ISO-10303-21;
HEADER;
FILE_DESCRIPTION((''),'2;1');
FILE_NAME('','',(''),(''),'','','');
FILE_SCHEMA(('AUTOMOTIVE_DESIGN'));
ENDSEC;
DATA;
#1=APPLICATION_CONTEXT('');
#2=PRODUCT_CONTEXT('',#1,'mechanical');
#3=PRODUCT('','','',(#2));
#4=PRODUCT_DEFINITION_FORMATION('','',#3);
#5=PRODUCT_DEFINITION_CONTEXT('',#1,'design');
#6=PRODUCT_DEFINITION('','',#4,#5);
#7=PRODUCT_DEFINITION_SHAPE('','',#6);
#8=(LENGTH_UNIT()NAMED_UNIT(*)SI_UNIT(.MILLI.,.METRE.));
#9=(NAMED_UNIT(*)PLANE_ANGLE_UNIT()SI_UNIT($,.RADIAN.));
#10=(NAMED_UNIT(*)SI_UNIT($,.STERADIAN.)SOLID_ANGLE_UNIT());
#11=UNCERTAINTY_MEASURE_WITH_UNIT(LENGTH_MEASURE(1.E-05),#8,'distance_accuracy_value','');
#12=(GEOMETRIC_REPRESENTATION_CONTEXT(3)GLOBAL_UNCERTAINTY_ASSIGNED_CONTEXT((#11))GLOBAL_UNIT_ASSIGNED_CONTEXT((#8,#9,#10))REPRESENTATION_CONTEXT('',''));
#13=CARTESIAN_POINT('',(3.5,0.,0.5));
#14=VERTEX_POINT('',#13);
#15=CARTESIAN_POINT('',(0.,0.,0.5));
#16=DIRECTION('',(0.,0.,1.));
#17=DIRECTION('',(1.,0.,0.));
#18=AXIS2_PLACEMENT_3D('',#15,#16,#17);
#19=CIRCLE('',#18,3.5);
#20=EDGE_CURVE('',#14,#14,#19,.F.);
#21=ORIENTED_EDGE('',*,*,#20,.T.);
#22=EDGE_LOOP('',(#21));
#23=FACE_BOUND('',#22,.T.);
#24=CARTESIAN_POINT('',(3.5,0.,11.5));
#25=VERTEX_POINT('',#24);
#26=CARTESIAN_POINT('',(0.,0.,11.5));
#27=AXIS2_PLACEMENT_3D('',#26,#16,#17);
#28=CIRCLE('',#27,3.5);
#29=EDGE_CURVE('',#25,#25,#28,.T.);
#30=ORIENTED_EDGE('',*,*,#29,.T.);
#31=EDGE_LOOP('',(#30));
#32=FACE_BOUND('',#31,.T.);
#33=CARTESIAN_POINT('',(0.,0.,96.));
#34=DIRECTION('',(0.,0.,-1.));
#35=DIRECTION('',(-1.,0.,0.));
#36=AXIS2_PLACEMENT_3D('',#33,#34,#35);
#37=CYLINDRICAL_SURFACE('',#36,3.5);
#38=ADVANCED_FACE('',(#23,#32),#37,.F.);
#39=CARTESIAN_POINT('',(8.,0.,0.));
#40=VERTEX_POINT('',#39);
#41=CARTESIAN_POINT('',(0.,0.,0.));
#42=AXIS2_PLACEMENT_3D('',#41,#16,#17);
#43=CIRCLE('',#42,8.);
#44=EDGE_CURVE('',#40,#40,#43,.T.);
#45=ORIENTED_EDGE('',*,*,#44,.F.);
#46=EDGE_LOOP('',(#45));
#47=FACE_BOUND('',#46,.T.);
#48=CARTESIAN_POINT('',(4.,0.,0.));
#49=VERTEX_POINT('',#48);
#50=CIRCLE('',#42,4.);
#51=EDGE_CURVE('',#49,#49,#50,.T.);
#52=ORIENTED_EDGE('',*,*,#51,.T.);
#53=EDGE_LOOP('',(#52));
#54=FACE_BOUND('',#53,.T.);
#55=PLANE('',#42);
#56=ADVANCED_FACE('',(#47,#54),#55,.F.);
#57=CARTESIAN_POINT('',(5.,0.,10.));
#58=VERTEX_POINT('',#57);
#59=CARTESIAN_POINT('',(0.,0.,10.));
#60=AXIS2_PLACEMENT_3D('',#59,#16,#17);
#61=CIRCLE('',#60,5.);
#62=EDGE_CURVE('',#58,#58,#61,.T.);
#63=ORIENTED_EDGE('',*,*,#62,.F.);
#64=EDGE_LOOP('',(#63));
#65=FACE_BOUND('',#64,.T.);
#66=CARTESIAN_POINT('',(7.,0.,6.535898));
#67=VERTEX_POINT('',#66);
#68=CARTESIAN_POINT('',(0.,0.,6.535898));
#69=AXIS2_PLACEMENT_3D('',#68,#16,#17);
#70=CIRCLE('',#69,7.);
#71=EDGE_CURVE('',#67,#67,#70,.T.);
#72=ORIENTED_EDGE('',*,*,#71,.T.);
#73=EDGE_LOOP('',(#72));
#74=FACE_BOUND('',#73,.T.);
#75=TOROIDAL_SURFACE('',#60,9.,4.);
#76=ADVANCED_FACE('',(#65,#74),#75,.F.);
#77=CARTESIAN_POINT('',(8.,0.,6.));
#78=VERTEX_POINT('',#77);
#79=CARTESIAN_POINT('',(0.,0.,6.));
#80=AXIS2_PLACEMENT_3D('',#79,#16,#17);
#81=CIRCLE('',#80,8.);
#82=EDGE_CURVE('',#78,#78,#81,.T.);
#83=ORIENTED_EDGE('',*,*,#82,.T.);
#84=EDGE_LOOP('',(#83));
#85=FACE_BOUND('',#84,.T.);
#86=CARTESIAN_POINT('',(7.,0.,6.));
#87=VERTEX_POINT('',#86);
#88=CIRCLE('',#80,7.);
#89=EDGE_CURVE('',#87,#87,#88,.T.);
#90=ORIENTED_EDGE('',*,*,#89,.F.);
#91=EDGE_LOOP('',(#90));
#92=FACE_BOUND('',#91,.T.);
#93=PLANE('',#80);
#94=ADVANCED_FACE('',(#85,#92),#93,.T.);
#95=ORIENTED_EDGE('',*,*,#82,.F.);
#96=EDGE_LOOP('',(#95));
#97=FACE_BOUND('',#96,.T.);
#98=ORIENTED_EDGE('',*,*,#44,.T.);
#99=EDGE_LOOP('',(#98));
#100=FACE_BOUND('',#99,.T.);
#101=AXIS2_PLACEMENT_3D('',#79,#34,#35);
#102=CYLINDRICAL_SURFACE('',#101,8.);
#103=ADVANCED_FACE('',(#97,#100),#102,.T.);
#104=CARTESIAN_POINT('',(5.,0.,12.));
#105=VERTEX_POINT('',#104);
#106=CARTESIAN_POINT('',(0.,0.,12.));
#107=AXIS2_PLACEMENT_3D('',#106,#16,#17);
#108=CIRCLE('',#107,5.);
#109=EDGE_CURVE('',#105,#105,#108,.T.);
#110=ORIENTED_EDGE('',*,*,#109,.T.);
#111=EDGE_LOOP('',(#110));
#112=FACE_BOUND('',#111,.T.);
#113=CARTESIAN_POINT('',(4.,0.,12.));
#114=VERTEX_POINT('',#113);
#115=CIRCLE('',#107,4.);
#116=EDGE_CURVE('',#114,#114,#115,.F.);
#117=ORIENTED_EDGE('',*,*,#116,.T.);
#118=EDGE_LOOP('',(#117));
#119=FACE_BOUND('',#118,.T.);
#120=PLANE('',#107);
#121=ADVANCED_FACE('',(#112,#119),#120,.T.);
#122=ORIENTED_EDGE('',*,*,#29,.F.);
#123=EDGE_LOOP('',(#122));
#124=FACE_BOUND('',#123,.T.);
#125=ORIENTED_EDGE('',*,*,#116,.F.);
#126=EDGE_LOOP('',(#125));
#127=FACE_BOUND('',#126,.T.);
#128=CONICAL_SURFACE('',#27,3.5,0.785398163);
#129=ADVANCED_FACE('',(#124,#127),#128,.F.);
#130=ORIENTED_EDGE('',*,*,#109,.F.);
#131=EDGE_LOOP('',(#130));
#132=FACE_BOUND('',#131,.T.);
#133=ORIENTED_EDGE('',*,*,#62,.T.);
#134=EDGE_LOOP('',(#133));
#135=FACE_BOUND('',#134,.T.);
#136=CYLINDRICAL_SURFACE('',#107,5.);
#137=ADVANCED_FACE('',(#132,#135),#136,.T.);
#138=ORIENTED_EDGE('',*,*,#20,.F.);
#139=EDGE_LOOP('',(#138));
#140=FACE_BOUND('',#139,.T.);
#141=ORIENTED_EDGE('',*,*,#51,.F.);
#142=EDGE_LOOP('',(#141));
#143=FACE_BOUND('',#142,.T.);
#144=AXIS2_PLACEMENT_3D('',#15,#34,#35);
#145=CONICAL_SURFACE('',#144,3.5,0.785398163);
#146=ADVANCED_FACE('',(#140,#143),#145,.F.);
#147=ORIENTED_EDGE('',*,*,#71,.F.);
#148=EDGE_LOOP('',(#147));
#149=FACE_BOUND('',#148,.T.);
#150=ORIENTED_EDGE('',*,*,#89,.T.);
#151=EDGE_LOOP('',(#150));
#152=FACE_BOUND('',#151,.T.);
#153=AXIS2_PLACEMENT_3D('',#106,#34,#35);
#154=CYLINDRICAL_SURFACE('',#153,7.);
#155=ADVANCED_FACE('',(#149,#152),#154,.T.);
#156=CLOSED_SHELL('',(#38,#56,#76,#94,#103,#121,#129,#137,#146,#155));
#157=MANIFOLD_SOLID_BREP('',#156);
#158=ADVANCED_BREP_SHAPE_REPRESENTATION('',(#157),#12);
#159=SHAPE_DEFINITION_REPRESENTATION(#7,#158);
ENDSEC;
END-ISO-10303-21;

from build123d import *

# Parameters (mm, degrees)
SKETCH_1_R          = 8
EXTRUDE_1_DEPTH     = 6
SKETCH_2_R          = 7
EXTRUDE_2_DEPTH     = 6
SKETCH_4_R          = 3.5
CUT_EXTRUDE_1_DEPTH = 96
CHAMFER_1_SIZE      = 0.5


with BuildPart() as part:
    # Эскиз1 → Вытянуть1 (new body)
    with BuildSketch(Plane.XY):
        Circle(SKETCH_1_R)
    extrude(amount=EXTRUDE_1_DEPTH)

    # Эскиз2 → Вытянуть2 (add)
    with BuildSketch(Plane.XY.offset(6)):
        Circle(SKETCH_2_R)
    extrude(amount=EXTRUDE_2_DEPTH)

    # Эскиз3 → Вырез-Повернуть1 (revolve, cut)
    with BuildSketch(Plane(origin=(0, 0, 0), x_dir=(0, 0, -1), z_dir=(1, 0, 0)), mode=Mode.PRIVATE) as cut_revolve_1_sk:
        with BuildLine():
            Line((-10, 5), (-12, 5))
            Line((-12, 5), (-12, 7))
            Line((-12, 7), (-6.535898385, 7))
            ThreePointArc((-6.535898385, 7), (-8, 5.535898385), (-10, 5))
        make_face()
    revolve(cut_revolve_1_sk.sketch.rotate(Axis((0, 0, 12), (0, 0, -1)), 90), axis=Axis((0, 0, 12), (0, 0, -1)), mode=Mode.SUBTRACT)  # turned: the seam where the file's is

    # Эскиз4 → Вырез-Вытянуть1 (cut)
    with BuildSketch(Plane(origin=(0, 0, 0), x_dir=(-1, 0, 0), z_dir=(0, 0, -1))):
        Circle(SKETCH_4_R)
    extrude(amount=-CUT_EXTRUDE_1_DEPTH, mode=Mode.SUBTRACT)

    # Фаска1
    chamfer_1_edges = [part.edges().sort_by_distance(p)[0] for p in [
        (3.5, 0, 12),
        (3.5, 0, 0),
    ]]
    chamfer(chamfer_1_edges, length=CHAMFER_1_SIZE)


solid = part.part
